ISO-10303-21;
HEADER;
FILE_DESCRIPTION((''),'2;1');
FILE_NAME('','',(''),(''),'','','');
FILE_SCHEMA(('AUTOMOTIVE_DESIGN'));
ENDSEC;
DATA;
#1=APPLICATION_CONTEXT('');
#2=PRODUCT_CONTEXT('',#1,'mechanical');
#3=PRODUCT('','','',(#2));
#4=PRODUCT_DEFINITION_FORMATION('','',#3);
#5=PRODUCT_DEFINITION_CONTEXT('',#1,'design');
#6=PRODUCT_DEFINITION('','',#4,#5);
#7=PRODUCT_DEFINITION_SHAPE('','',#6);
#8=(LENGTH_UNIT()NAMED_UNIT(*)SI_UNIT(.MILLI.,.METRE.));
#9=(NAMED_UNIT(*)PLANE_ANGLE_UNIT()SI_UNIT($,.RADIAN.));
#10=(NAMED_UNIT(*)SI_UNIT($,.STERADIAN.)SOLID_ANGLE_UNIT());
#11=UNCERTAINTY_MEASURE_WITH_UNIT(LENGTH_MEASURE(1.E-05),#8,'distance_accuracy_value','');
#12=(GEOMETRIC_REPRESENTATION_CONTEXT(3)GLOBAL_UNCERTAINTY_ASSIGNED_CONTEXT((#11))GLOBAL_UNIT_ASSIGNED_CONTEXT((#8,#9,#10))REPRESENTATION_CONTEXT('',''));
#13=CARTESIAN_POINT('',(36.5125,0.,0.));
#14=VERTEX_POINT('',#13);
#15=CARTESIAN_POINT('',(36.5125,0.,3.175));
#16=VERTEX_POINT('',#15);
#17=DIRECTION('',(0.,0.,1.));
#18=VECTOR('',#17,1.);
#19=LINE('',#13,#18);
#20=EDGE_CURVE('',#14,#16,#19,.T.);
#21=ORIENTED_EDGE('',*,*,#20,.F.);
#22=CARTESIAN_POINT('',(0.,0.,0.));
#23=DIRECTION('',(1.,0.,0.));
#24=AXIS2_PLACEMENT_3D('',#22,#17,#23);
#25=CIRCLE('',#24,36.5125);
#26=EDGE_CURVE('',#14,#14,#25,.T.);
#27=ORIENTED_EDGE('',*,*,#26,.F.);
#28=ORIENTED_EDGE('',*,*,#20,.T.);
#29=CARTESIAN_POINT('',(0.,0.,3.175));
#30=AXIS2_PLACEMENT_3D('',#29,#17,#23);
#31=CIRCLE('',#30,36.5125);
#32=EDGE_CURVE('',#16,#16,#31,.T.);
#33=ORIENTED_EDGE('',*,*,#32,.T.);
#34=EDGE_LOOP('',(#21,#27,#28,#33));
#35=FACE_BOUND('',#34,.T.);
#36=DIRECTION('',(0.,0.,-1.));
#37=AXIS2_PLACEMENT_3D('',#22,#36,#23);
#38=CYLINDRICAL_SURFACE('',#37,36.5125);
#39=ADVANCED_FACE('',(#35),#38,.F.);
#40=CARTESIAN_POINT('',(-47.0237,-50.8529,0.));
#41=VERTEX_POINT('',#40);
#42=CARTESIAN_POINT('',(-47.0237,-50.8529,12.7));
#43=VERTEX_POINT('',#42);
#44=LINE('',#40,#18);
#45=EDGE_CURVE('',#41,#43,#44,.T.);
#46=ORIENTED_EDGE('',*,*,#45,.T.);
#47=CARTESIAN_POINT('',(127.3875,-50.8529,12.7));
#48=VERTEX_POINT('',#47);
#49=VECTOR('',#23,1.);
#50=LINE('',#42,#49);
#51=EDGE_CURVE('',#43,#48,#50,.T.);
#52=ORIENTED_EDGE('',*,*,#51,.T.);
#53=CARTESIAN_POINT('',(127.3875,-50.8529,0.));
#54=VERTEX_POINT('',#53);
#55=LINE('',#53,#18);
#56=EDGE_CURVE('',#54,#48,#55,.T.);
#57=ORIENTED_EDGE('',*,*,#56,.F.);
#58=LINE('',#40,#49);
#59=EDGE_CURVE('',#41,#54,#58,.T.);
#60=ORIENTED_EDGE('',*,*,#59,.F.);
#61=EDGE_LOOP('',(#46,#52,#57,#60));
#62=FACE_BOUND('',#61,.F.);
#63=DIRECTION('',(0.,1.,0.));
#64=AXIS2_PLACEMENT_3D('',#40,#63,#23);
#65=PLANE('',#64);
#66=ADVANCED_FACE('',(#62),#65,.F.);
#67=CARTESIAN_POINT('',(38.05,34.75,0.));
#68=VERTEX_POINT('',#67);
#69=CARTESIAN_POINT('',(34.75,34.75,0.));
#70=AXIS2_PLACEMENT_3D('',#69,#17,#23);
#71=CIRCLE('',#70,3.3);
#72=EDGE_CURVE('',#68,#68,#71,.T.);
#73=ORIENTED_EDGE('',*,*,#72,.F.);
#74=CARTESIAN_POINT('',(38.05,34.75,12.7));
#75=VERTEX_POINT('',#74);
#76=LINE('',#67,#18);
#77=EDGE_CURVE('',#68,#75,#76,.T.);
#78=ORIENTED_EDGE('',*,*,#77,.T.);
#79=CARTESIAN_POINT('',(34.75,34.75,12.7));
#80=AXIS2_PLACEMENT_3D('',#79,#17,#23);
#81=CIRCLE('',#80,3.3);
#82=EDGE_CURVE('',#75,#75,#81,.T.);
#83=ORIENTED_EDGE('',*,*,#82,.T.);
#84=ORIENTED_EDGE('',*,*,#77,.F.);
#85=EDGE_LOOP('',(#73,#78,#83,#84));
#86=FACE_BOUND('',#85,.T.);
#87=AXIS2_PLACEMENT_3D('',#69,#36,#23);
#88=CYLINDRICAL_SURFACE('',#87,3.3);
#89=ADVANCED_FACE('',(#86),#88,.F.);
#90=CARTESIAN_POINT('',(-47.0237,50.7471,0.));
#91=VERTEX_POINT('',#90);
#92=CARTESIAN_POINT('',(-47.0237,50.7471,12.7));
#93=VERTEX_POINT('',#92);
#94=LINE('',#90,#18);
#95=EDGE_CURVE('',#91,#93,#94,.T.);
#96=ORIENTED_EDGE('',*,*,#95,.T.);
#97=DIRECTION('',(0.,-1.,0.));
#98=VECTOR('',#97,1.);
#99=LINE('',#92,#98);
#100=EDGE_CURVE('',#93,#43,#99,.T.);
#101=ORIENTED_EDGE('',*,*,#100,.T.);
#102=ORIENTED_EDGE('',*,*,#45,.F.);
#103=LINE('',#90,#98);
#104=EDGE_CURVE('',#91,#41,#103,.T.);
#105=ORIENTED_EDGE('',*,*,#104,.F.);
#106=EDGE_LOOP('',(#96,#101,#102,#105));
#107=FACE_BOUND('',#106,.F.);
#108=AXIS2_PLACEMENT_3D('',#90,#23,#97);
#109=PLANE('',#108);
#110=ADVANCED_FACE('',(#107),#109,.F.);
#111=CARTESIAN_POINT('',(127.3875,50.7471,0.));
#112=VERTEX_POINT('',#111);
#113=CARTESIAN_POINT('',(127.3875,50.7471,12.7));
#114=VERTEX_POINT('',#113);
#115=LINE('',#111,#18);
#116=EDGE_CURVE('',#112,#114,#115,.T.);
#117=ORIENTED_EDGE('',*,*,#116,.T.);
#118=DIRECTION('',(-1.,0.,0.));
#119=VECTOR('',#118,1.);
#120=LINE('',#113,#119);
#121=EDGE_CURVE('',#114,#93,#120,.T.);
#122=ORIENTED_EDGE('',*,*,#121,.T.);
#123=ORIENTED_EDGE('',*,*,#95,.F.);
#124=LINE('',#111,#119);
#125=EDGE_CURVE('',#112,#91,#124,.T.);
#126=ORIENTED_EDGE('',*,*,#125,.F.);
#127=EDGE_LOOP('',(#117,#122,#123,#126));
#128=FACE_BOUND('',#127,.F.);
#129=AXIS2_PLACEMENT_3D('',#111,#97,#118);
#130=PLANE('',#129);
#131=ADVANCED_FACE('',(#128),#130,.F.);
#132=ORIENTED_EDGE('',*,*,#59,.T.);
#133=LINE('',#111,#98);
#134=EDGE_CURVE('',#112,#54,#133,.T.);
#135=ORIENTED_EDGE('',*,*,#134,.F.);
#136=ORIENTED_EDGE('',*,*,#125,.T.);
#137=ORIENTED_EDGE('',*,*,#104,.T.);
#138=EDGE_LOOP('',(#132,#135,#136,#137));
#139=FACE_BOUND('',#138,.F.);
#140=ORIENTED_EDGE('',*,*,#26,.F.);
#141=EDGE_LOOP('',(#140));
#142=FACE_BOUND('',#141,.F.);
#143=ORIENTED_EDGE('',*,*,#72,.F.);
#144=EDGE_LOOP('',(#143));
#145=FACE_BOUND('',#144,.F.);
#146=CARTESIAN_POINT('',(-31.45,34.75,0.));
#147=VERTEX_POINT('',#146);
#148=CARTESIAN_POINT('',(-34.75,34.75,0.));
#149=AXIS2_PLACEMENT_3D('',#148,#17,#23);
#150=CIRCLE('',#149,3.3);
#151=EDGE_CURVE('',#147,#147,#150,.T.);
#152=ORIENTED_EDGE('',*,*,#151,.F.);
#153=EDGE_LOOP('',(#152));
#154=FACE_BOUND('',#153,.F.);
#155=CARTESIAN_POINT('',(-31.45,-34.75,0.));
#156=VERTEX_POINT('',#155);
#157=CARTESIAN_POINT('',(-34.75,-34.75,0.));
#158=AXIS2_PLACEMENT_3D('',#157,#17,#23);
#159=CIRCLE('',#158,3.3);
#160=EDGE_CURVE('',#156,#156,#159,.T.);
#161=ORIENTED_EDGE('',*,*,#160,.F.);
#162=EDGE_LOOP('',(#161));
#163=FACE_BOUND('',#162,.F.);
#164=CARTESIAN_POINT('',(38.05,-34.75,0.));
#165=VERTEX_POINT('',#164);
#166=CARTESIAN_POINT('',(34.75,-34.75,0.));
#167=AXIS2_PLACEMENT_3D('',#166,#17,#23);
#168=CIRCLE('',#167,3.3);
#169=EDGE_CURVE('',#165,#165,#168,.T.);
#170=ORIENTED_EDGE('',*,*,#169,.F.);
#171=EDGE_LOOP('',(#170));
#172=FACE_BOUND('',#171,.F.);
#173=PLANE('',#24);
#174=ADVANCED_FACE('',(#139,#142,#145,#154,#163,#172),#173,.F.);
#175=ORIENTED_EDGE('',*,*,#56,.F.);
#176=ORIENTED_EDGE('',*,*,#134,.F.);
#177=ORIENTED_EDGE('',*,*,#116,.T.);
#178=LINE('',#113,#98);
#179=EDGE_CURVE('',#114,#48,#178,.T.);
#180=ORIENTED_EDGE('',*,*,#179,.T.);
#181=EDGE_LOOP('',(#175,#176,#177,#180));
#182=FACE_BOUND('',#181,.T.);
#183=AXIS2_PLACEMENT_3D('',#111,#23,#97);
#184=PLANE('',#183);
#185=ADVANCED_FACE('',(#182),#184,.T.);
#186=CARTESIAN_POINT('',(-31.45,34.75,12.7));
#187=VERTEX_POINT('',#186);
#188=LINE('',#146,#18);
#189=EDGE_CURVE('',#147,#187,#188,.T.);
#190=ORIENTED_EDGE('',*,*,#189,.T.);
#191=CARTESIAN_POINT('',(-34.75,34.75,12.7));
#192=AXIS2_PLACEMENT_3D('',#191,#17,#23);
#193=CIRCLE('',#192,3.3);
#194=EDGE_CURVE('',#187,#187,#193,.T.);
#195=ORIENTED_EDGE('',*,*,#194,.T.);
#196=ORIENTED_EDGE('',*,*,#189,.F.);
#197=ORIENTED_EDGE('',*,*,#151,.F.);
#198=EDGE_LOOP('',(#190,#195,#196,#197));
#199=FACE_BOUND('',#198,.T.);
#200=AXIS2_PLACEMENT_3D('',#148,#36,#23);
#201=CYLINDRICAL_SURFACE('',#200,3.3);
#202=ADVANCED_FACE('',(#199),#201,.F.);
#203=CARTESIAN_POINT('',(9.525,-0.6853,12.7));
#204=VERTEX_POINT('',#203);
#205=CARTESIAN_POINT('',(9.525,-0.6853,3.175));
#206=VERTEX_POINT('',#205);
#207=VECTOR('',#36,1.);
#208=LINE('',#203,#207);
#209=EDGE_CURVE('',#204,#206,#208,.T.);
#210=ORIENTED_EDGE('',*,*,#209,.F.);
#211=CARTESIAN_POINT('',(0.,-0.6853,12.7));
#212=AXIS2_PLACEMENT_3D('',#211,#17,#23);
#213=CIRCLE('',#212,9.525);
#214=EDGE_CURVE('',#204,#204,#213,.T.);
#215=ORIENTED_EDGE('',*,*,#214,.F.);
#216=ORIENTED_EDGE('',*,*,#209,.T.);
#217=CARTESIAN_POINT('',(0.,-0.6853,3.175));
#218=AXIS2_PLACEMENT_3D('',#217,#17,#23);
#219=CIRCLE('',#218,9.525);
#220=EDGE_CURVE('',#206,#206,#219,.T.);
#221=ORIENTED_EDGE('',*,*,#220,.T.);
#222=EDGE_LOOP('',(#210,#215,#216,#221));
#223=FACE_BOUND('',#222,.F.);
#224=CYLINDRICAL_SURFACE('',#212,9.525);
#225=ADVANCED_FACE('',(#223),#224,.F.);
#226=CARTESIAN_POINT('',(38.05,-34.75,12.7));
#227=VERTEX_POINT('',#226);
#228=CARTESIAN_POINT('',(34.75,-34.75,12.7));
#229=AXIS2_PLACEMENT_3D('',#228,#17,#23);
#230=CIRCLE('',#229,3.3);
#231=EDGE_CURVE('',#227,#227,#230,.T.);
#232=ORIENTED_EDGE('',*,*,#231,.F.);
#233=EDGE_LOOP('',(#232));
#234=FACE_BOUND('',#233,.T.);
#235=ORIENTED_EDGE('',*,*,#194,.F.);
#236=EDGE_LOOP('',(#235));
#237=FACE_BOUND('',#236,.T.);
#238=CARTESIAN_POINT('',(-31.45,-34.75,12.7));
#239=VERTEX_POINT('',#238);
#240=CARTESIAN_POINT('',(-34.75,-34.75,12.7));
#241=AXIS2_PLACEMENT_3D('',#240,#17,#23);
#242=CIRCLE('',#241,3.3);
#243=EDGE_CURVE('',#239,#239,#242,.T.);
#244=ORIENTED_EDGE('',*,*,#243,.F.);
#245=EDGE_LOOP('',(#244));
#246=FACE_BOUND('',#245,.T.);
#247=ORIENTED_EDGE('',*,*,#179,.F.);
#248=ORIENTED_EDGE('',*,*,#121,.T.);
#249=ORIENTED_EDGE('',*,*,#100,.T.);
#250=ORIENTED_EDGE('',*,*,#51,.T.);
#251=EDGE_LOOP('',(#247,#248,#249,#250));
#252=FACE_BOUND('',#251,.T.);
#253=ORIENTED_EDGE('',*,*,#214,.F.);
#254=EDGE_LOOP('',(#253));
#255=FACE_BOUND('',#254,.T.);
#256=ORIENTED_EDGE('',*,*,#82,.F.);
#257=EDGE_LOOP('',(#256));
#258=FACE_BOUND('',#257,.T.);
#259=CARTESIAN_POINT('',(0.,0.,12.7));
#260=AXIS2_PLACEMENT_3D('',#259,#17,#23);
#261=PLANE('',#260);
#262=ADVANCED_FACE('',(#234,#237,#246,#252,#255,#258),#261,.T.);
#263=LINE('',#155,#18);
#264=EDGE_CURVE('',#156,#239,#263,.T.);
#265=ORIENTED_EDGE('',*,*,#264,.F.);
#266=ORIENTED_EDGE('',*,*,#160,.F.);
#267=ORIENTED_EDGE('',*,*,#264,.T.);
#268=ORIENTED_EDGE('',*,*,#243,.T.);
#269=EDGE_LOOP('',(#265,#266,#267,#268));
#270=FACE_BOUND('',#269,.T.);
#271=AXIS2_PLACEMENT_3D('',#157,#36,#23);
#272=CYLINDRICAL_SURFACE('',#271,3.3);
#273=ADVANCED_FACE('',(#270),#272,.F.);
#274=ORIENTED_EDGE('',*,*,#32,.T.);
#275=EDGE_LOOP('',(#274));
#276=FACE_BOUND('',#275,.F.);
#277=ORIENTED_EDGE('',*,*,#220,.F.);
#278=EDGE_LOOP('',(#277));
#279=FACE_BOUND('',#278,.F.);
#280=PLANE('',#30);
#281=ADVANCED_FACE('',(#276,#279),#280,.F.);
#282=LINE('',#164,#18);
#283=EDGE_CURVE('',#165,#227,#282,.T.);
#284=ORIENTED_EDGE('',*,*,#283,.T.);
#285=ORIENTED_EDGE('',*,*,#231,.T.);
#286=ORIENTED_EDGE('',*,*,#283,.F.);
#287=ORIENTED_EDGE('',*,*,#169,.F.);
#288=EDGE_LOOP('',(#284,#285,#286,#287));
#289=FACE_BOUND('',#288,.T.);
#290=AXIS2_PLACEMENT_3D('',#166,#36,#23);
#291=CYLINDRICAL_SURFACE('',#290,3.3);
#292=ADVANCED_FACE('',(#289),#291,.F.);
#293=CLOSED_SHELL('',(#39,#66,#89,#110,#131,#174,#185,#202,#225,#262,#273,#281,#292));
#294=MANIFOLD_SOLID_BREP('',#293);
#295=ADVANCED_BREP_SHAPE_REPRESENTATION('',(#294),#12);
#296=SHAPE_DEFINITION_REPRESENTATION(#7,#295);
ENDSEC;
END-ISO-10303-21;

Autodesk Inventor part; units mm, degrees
ref_plane "YZ Plane" through (0, 0, 0) normal (1, 0, 0) x (0, 1, 0)
ref_plane "XZ Plane" through (0, 0, 0) normal (0, 1, 0) x (-1, 0, 0)
ref_plane "XY Plane" through (0, 0, 0) normal (0, 0, 1) x (1, 0, 0)
sketch "Sketch1" plane through (0, 0, 0) normal (0, 0, 1) x (1, 0, 0)
  line L0 (-42.925, -19.7) -> (-38.525, -19.7) projected
  arc A0 (-38.525, -28.9) -> (-38.525, -19.7) centre (-38.525, -24.3) ccw projected
  line L1 (-38.525, -28.9) -> (-42.925, -28.9) projected
  line L2 (-42.925, -37.425) -> (-42.925, -28.9) projected
  arc A1 (-42.925, -37.425) -> (-37.425, -42.925) centre (-37.425, -37.425) ccw projected
  line L3 (19.7, -42.925) -> (-37.425, -42.925) projected
  line L4 (19.7, -42.925) -> (19.7, -38.525) projected
  arc A2 (28.9, -38.525) -> (19.7, -38.525) centre (24.3, -38.525) ccw projected
  line L5 (28.9, -38.525) -> (28.9, -42.925) projected
  line L6 (37.425, -42.925) -> (28.9, -42.925) projected
  arc A3 (37.425, -42.925) -> (42.925, -37.425) centre (37.425, -37.425) ccw projected
  line L7 (42.925, 19.7) -> (42.925, -37.425) projected
  line L8 (42.925, 19.7) -> (38.525, 19.7) projected
  arc A4 (38.525, 28.9) -> (38.525, 19.7) centre (38.525, 24.3) ccw projected
  line L9 (38.525, 28.9) -> (42.925, 28.9) projected
  line L10 (42.925, 37.425) -> (42.925, 28.9) projected
  arc A5 (42.925, 37.425) -> (37.425, 42.925) centre (37.425, 37.425) ccw projected
  line L11 (-19.7, 42.925) -> (37.425, 42.925) projected
  line L12 (-19.7, 42.925) -> (-19.7, 38.525) projected
  arc A6 (-28.9, 38.525) -> (-19.7, 38.525) centre (-24.3, 38.525) ccw projected
  line L13 (-28.9, 38.525) -> (-28.9, 42.925) projected
  line L14 (-37.425, 42.925) -> (-28.9, 42.925) projected
  arc A7 (-37.425, 42.925) -> (-42.925, 37.425) centre (-37.425, 37.425) ccw projected
  line L15 (-42.925, -19.7) -> (-42.925, 37.425) projected
  circle A8 centre (34.75, -34.75) radius 3.3 projected
  circle A9 centre (-34.75, -34.75) radius 3.3 projected
  circle A10 centre (34.75, 34.75) radius 3.3 projected
  circle A11 centre (-34.75, 34.75) radius 3.3 projected
  circle A12 centre (0, 0) radius 36.5125 projected
  line L16 (127.3875, 50.7471) -> (127.3875, -50.8529) projected
  line L17 (127.3875, 50.7471) -> (-47.0237, 50.7471)
  line L18 (-47.0237, 50.7471) -> (-47.0237, -50.8529)
  line L19 (-47.0237, -50.8529) -> (127.3875, -50.8529)
  point P0 (0, 0)
  dimension "d0" = 101.6
extrude "Extrusion1" add sketch "Sketch1" along normal blind 12.7 contours L15 A7 L14 L13 A6 L12 L11 A5 L10 L9 A4 L8 L7 A3 L6 L5 A2 L4 L3 A1 L2 L1 A0 L0 | L16 L19 L18 L17
sketch "Sketch2" plane through (0, 0, 12.7) normal (0, 0, 1) x (1, 0, 0)
  line L0 (127.3875, -50.8529) -> (127.3875, 50.7471) projected
  line L1 (127.3875, 50.7471) -> (-47.0237, 50.7471) projected
  line L2 (-47.0237, 50.7471) -> (-47.0237, -50.8529) projected
  line L3 (-47.0237, -50.8529) -> (127.3875, -50.8529) projected
  circle A0 centre (0, 0) radius 36.5125 projected
  circle A1 centre (34.75, -34.75) radius 3.3 projected
  circle A2 centre (-34.75, 34.75) radius 3.3 projected
  circle A3 centre (34.75, 34.75) radius 3.3 projected
  circle A4 centre (-34.75, -34.75) radius 3.3 projected
  circle A5 centre (0, -0.6853) radius 9.525
  point P0 (0, 0)
  dimension "d3" = 19.05
extrude "Extrusion2" add sketch "Sketch2" against normal blind 9.525 contours A0
properties part number "Stepper Plate"
